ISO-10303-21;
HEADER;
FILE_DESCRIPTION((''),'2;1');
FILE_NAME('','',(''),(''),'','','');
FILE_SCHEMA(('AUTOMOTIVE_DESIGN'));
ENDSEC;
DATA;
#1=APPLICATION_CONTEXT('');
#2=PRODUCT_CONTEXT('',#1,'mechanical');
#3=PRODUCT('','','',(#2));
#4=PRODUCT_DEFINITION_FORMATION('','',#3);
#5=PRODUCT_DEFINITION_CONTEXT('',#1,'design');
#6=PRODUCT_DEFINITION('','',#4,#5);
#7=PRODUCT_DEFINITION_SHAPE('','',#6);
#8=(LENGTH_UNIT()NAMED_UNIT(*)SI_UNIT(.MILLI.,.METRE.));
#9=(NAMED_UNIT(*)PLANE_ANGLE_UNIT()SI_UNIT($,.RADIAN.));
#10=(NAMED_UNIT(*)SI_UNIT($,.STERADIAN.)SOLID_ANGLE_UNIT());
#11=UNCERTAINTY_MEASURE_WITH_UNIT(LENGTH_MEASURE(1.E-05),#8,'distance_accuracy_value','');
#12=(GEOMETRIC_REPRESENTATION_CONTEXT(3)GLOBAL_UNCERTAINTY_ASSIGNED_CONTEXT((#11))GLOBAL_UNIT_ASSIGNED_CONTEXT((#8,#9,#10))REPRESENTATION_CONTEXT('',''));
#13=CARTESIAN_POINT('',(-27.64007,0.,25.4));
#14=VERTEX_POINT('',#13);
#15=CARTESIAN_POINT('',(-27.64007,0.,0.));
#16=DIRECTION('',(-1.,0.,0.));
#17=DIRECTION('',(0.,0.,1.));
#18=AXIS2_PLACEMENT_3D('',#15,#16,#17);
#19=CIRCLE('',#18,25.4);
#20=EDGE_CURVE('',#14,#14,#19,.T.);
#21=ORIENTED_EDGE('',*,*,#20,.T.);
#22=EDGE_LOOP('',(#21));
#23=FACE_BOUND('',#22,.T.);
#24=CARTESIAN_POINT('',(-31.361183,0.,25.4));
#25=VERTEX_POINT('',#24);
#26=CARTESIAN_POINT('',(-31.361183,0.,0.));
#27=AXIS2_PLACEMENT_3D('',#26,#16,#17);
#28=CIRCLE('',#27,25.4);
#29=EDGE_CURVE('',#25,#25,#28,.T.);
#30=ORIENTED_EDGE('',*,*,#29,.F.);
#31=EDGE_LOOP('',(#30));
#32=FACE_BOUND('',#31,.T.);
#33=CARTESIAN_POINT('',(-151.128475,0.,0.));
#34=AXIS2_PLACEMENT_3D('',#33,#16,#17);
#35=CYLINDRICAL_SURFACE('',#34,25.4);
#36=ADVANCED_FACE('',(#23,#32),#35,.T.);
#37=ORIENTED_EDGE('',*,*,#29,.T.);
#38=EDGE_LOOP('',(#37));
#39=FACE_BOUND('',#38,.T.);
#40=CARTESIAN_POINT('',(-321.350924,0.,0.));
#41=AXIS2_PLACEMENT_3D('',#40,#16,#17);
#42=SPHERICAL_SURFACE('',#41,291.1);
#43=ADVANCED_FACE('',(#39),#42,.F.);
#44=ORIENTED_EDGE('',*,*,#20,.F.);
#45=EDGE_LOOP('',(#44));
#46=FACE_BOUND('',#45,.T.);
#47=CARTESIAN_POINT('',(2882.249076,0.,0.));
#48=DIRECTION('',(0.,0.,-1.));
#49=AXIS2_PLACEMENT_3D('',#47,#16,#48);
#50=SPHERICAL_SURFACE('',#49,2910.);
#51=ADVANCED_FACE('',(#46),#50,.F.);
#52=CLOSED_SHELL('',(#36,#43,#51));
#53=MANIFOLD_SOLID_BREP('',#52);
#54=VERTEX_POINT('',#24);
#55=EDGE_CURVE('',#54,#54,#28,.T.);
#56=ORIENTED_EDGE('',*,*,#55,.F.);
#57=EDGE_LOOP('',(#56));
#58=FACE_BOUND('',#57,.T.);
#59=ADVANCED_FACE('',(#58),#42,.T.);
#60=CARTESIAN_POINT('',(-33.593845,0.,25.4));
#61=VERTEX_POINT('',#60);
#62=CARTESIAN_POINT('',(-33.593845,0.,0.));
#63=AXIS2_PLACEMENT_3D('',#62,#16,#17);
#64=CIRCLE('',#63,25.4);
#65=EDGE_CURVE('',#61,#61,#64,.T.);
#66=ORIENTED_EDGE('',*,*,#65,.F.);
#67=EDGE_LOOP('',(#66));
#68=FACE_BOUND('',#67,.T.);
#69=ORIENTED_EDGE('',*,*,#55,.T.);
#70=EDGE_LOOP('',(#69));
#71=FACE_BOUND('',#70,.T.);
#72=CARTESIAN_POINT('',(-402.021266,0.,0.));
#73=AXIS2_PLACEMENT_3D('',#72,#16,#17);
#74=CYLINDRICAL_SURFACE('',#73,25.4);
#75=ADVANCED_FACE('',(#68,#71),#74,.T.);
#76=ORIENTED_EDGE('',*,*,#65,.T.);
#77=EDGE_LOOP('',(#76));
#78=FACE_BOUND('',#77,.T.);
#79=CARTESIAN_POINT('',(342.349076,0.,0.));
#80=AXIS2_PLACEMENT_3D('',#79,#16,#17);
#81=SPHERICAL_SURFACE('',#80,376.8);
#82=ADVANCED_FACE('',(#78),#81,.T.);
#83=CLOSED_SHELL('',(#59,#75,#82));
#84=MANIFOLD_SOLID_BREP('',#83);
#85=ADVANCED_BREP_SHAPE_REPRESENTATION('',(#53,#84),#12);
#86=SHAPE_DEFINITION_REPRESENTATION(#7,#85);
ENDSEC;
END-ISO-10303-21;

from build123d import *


with BuildPart() as part:
    # 草图1 one side → 旋转1 (revolve)
    with BuildSketch(Plane(origin=(0, 0, 0), x_dir=(1, 0, 0), z_dir=(0, 1, 0)), mode=Mode.PRIVATE) as revolve_1_sk:
        with BuildLine():
            ThreePointArc((-33.593845328, 25.4), (-34.236593471, 12.707228101), (-34.450924128, 0))
            Line((-34.450924128, 0), (-30.250924128, 0))
            ThreePointArc((-30.250924128, 0), (-30.528621285, 12.712126834), (-31.36118293, 25.4))
            Line((-31.36118293, 25.4), (-33.593845328, 25.4))
        make_face()
    revolve(revolve_1_sk.sketch.rotate(Axis((-402.021265573, 0, 0), (1, 0, 0)), 180), axis=Axis((-402.021265573, 0, 0), (1, 0, 0)))  # turned: the seam where the file's is


with BuildPart() as body_2:
    # 草图2 one side → 旋转3 (revolve)
    with BuildSketch(Plane(origin=(0, 0, 0), x_dir=(1, 0, 0), z_dir=(0, 1, 0)), mode=Mode.PRIVATE) as revolve_3_sk:
        with BuildLine():
            Line((-27.640069783, 25.4), (-31.36118293, 25.4))
            ThreePointArc((-31.36118293, 25.4), (-30.528621285, 12.712126834), (-30.250924128, 0))
            Line((-30.250924128, 0), (-27.750924128, 0))
            ThreePointArc((-27.750924128, 0), (-27.72321041, 12.700120951), (-27.640069783, 25.4))
        make_face()
    revolve(revolve_3_sk.sketch.rotate(Axis((-151.128475118, 0, 0), (1, 0, 0)), 180), axis=Axis((-151.128475118, 0, 0), (1, 0, 0)))  # turned: the seam where the file's is


solid = Compound([part.part, body_2.part])
